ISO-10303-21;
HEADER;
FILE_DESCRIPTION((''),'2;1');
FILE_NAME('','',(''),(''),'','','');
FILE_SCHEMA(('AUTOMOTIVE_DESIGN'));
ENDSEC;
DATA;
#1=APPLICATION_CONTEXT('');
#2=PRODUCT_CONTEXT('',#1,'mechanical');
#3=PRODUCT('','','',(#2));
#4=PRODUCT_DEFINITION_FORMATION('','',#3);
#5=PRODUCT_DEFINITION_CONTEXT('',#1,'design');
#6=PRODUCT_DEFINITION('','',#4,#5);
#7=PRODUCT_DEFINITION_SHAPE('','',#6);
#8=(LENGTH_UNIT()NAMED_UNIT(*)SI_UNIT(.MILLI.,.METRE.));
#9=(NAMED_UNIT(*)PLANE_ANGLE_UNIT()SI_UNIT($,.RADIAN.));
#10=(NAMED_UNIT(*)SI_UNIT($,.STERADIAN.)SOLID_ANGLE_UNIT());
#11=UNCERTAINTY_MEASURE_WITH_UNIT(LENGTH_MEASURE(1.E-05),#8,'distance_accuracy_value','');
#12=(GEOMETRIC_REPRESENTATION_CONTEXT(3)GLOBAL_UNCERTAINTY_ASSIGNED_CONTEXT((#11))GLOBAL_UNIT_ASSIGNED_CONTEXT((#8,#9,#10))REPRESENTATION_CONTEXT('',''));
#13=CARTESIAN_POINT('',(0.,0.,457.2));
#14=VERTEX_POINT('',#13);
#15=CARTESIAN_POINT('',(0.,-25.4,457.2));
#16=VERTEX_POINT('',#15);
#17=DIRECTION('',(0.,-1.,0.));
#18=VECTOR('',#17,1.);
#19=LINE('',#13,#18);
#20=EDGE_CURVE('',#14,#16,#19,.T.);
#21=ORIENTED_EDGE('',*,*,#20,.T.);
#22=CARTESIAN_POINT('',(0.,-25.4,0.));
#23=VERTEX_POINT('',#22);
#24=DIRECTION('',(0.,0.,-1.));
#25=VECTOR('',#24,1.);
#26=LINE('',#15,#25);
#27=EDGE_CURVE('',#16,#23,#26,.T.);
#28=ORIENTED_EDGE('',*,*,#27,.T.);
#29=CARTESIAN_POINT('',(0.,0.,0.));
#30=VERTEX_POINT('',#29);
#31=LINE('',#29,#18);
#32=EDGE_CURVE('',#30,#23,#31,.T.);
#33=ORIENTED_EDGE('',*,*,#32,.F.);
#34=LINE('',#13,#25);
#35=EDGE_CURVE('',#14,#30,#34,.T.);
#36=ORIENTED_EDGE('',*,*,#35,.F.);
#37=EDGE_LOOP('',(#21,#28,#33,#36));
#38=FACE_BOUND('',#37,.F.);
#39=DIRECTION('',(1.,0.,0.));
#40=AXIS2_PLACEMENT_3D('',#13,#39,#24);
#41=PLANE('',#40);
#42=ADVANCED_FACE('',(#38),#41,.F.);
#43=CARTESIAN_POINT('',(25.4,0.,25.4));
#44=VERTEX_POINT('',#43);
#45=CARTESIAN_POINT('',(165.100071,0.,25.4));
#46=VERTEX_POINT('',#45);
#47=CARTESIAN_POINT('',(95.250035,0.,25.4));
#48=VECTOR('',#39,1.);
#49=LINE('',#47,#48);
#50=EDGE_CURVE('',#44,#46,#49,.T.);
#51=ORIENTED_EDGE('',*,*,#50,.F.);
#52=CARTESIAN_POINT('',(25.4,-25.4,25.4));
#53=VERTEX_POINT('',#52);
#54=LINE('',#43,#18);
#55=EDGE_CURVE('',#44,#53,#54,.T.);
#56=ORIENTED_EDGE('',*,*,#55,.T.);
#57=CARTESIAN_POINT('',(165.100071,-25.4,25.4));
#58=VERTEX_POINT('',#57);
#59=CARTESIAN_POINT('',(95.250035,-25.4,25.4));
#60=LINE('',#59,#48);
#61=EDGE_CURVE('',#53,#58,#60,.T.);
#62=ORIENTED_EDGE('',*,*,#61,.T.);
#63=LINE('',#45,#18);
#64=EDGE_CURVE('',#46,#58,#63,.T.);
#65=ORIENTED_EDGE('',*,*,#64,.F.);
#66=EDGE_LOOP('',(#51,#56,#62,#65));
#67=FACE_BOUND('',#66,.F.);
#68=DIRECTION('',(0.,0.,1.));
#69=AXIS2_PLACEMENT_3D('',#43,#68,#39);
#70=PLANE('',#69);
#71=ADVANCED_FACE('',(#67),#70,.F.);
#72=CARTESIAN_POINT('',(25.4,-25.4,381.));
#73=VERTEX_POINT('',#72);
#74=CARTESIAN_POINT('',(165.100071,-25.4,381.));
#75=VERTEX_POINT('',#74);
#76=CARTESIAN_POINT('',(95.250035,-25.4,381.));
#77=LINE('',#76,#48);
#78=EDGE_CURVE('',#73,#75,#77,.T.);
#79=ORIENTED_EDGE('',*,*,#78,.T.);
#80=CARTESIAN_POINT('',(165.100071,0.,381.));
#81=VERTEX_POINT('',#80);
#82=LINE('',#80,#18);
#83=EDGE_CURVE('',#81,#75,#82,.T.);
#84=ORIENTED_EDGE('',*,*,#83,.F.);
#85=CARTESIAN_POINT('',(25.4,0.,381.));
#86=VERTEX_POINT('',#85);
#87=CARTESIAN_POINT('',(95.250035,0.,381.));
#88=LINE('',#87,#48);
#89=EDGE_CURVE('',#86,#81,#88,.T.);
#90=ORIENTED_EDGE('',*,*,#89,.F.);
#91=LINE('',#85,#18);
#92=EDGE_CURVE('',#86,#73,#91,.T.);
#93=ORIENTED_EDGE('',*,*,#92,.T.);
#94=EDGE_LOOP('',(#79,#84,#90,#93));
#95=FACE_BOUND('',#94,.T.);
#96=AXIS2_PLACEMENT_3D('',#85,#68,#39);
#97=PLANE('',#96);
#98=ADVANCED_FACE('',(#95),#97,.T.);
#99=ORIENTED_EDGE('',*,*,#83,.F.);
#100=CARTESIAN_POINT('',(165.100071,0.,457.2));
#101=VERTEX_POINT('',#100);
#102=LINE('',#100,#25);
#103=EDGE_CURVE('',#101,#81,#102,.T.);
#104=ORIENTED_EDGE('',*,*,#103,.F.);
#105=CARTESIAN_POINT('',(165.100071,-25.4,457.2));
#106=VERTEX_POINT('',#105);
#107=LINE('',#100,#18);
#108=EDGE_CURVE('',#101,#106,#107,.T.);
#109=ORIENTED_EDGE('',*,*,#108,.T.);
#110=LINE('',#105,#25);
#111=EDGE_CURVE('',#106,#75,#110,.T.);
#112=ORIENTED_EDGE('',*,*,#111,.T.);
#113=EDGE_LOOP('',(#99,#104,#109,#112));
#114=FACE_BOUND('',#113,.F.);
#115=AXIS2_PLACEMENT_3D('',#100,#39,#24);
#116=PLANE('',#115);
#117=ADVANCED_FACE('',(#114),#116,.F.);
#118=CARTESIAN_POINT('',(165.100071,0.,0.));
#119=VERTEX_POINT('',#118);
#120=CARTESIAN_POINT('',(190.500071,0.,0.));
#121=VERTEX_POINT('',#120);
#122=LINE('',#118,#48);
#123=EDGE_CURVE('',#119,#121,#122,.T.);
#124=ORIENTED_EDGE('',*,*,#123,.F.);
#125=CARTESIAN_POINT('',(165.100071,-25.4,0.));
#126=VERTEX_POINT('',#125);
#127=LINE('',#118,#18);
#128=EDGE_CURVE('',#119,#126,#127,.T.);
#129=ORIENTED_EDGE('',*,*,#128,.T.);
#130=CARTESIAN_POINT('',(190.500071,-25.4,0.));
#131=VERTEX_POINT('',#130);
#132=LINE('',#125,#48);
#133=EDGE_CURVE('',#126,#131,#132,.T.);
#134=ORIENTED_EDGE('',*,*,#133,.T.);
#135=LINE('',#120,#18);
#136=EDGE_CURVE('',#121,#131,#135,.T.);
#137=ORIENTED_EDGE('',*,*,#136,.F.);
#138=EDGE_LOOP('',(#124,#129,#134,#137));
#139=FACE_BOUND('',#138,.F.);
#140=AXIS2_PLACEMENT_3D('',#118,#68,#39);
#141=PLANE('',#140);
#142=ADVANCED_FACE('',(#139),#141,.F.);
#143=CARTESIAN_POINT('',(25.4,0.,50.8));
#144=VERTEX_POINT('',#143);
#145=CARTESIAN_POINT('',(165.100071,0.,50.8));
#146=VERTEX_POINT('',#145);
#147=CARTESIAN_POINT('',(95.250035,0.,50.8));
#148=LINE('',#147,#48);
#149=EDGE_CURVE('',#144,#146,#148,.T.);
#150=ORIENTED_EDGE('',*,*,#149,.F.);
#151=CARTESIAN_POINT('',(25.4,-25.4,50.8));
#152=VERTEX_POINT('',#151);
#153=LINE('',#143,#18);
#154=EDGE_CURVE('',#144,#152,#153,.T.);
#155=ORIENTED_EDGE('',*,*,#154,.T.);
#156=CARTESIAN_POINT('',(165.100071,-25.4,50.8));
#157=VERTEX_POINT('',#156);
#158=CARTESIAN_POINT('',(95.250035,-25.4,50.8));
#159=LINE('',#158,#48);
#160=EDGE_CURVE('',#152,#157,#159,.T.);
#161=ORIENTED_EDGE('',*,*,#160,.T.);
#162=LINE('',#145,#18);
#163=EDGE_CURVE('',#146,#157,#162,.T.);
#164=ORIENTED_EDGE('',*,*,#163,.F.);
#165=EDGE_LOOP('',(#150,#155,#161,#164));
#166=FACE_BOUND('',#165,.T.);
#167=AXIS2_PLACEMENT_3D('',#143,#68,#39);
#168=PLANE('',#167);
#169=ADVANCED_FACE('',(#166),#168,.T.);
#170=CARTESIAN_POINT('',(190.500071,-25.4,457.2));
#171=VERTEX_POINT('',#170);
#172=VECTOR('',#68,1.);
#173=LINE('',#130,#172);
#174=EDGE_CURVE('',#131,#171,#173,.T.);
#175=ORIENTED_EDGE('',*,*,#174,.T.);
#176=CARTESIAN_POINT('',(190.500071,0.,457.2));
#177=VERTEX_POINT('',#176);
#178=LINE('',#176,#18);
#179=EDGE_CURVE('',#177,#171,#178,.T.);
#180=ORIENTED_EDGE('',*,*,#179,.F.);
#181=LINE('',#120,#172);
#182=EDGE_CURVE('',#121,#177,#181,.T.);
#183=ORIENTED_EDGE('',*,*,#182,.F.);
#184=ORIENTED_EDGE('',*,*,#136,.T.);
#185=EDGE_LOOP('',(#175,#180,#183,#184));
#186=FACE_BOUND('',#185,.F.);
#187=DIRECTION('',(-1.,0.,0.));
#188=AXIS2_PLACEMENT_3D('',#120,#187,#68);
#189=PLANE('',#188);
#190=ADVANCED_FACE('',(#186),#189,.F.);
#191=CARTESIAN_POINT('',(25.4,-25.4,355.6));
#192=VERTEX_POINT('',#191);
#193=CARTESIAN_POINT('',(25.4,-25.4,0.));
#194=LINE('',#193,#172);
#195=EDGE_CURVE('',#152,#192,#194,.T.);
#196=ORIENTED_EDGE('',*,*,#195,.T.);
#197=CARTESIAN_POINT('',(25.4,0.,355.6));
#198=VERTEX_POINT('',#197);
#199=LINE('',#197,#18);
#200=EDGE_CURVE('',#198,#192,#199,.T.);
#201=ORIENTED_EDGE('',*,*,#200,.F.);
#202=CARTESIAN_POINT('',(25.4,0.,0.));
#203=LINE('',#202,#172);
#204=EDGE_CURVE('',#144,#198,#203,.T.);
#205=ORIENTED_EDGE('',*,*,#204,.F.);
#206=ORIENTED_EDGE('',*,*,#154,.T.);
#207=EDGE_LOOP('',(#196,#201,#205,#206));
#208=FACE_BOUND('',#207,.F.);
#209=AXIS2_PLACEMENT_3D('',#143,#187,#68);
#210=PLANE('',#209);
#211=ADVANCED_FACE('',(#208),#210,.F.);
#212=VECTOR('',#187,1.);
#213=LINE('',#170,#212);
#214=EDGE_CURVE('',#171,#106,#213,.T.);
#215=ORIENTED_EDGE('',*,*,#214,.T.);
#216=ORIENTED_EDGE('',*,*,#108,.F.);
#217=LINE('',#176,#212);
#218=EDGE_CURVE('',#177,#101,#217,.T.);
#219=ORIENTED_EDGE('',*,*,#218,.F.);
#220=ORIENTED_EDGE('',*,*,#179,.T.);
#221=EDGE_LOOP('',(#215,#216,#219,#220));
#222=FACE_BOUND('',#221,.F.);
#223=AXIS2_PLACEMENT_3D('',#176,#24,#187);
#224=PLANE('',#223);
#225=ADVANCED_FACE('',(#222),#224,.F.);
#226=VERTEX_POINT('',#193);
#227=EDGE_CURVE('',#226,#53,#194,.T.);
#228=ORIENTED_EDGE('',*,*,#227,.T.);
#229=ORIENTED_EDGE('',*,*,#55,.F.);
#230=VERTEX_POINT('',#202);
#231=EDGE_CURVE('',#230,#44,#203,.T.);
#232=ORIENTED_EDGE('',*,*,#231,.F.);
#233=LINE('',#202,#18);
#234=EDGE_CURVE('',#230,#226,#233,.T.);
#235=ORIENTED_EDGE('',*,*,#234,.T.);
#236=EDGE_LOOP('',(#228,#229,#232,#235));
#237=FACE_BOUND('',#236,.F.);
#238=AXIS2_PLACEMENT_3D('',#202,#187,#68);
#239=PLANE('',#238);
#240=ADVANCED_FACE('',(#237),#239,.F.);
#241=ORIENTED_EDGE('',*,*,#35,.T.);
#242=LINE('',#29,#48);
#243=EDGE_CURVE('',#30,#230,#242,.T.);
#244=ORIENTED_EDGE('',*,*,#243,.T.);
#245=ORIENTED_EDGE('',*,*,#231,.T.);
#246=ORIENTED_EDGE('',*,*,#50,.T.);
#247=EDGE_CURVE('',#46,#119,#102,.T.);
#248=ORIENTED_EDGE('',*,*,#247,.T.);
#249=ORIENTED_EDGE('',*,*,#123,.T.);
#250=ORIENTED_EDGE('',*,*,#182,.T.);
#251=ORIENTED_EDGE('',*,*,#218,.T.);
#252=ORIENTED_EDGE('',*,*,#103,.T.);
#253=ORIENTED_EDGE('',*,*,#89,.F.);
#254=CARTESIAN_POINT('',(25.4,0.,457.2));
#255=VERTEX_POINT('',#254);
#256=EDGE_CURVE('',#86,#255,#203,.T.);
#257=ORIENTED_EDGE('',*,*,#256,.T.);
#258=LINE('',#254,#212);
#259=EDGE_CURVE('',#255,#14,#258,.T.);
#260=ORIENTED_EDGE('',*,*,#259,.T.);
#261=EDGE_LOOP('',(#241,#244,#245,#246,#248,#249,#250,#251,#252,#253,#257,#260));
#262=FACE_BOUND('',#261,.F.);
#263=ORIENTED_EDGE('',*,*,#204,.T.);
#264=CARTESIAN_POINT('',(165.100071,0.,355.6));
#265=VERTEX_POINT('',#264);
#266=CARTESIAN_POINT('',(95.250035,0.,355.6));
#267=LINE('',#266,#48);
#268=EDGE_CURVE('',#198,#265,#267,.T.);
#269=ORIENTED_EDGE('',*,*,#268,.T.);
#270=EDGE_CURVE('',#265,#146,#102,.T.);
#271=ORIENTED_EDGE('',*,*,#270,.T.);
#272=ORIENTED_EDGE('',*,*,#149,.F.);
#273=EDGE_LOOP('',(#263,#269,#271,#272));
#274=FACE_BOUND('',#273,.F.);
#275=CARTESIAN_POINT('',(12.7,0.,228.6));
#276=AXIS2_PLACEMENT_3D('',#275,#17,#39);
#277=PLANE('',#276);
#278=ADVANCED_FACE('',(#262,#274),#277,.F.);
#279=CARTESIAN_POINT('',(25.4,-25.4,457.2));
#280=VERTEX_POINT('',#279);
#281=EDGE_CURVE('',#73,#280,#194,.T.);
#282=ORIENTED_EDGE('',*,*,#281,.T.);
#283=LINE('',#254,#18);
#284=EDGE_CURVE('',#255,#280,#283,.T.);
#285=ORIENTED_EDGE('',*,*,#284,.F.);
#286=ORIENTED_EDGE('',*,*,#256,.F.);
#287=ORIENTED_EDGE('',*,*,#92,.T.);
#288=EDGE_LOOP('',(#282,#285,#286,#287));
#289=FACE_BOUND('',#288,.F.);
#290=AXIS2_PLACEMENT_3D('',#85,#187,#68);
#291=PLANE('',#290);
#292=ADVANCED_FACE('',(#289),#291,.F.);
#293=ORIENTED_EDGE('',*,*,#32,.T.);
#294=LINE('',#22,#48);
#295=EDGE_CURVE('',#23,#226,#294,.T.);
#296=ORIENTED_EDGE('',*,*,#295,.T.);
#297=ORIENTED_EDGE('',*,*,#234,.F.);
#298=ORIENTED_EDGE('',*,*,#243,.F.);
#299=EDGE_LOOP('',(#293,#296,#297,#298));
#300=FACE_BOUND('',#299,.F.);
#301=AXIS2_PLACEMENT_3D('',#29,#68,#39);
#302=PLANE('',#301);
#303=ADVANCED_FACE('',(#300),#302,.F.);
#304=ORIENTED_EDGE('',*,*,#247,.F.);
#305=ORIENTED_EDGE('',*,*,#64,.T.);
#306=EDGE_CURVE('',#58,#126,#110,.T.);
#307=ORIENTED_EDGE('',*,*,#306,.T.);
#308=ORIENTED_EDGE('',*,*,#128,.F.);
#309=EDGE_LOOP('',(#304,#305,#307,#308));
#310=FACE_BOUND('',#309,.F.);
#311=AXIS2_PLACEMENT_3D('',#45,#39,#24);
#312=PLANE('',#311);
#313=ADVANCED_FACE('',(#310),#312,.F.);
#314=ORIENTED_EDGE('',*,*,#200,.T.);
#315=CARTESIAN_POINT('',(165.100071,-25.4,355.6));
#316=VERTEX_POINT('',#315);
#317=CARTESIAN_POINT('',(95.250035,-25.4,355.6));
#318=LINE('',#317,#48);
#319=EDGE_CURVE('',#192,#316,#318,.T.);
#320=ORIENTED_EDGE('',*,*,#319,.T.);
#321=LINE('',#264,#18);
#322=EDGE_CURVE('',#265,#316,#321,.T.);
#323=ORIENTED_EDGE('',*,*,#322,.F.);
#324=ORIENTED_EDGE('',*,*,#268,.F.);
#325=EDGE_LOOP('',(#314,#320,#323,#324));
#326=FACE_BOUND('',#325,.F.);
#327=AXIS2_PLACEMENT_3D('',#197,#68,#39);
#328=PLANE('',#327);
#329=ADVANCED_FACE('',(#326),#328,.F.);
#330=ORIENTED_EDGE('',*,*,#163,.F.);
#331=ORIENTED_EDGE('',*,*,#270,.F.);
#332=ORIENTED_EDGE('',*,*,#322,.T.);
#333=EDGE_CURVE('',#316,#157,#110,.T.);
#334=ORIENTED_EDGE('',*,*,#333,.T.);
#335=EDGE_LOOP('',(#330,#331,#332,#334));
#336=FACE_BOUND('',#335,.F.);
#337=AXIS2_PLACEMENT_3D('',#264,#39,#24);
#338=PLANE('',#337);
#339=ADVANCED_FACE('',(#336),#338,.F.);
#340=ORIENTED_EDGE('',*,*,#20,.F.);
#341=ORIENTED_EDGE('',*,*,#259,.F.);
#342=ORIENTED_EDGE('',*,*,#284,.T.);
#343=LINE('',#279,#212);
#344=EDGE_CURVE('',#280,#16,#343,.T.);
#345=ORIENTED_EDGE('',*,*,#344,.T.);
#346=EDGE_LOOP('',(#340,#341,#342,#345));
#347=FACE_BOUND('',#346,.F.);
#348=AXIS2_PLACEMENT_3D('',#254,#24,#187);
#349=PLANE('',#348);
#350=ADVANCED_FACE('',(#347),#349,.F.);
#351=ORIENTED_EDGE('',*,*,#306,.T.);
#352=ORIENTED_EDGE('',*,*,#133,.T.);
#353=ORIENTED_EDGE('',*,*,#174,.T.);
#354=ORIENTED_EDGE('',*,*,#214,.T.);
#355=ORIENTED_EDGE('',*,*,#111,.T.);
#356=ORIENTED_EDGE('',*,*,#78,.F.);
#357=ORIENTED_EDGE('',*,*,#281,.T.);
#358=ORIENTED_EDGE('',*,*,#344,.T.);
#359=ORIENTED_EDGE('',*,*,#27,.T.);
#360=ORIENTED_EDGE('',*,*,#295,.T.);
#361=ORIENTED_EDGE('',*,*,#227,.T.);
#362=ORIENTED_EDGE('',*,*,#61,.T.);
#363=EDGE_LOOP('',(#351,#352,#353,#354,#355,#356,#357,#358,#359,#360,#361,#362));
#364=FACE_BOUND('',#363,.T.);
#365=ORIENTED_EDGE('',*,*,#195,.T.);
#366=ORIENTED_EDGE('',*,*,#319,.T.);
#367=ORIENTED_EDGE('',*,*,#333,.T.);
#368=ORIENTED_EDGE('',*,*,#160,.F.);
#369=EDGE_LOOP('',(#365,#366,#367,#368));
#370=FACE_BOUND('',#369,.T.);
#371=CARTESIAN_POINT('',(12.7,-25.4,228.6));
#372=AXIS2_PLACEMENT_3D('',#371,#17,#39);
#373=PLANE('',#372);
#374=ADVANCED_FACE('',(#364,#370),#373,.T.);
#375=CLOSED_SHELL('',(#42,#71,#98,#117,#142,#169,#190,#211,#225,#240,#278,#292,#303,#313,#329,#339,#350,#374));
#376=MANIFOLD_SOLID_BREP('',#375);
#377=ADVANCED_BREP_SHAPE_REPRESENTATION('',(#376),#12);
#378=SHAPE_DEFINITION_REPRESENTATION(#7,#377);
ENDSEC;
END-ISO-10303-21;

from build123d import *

# Parameters (mm, degrees)
F0_W     = 139.7000707157
F0_H     = 25.4
F1_DEPTH = 25.4


with BuildPart() as f1:
    # F0 (on Front) → F1 (new body)
    with BuildSketch(Plane.XZ):
        Polygon((0, 457.2), (0, 0), (25.4, 0), (25.4, 25.4), (25.4, 50.8), (25.4, 355.6), (25.4, 381), (25.4, 457.2), align=None)
        Polygon((165.1000707157, 50.8), (165.1000707157, 25.4), (165.1000707157, 0), (190.5000707157, 0), (190.5000707157, 457.2), (165.1000707157, 457.2), (165.1000707157, 381), (165.1000707157, 355.6), align=None)
        with Locations((95.2500353579, 368.3)):
            Rectangle(F0_W, F0_H)
        with Locations((95.2500353579, 38.1)):
            Rectangle(F0_W, F0_H)
    extrude(amount=F1_DEPTH)


solid = f1.part
